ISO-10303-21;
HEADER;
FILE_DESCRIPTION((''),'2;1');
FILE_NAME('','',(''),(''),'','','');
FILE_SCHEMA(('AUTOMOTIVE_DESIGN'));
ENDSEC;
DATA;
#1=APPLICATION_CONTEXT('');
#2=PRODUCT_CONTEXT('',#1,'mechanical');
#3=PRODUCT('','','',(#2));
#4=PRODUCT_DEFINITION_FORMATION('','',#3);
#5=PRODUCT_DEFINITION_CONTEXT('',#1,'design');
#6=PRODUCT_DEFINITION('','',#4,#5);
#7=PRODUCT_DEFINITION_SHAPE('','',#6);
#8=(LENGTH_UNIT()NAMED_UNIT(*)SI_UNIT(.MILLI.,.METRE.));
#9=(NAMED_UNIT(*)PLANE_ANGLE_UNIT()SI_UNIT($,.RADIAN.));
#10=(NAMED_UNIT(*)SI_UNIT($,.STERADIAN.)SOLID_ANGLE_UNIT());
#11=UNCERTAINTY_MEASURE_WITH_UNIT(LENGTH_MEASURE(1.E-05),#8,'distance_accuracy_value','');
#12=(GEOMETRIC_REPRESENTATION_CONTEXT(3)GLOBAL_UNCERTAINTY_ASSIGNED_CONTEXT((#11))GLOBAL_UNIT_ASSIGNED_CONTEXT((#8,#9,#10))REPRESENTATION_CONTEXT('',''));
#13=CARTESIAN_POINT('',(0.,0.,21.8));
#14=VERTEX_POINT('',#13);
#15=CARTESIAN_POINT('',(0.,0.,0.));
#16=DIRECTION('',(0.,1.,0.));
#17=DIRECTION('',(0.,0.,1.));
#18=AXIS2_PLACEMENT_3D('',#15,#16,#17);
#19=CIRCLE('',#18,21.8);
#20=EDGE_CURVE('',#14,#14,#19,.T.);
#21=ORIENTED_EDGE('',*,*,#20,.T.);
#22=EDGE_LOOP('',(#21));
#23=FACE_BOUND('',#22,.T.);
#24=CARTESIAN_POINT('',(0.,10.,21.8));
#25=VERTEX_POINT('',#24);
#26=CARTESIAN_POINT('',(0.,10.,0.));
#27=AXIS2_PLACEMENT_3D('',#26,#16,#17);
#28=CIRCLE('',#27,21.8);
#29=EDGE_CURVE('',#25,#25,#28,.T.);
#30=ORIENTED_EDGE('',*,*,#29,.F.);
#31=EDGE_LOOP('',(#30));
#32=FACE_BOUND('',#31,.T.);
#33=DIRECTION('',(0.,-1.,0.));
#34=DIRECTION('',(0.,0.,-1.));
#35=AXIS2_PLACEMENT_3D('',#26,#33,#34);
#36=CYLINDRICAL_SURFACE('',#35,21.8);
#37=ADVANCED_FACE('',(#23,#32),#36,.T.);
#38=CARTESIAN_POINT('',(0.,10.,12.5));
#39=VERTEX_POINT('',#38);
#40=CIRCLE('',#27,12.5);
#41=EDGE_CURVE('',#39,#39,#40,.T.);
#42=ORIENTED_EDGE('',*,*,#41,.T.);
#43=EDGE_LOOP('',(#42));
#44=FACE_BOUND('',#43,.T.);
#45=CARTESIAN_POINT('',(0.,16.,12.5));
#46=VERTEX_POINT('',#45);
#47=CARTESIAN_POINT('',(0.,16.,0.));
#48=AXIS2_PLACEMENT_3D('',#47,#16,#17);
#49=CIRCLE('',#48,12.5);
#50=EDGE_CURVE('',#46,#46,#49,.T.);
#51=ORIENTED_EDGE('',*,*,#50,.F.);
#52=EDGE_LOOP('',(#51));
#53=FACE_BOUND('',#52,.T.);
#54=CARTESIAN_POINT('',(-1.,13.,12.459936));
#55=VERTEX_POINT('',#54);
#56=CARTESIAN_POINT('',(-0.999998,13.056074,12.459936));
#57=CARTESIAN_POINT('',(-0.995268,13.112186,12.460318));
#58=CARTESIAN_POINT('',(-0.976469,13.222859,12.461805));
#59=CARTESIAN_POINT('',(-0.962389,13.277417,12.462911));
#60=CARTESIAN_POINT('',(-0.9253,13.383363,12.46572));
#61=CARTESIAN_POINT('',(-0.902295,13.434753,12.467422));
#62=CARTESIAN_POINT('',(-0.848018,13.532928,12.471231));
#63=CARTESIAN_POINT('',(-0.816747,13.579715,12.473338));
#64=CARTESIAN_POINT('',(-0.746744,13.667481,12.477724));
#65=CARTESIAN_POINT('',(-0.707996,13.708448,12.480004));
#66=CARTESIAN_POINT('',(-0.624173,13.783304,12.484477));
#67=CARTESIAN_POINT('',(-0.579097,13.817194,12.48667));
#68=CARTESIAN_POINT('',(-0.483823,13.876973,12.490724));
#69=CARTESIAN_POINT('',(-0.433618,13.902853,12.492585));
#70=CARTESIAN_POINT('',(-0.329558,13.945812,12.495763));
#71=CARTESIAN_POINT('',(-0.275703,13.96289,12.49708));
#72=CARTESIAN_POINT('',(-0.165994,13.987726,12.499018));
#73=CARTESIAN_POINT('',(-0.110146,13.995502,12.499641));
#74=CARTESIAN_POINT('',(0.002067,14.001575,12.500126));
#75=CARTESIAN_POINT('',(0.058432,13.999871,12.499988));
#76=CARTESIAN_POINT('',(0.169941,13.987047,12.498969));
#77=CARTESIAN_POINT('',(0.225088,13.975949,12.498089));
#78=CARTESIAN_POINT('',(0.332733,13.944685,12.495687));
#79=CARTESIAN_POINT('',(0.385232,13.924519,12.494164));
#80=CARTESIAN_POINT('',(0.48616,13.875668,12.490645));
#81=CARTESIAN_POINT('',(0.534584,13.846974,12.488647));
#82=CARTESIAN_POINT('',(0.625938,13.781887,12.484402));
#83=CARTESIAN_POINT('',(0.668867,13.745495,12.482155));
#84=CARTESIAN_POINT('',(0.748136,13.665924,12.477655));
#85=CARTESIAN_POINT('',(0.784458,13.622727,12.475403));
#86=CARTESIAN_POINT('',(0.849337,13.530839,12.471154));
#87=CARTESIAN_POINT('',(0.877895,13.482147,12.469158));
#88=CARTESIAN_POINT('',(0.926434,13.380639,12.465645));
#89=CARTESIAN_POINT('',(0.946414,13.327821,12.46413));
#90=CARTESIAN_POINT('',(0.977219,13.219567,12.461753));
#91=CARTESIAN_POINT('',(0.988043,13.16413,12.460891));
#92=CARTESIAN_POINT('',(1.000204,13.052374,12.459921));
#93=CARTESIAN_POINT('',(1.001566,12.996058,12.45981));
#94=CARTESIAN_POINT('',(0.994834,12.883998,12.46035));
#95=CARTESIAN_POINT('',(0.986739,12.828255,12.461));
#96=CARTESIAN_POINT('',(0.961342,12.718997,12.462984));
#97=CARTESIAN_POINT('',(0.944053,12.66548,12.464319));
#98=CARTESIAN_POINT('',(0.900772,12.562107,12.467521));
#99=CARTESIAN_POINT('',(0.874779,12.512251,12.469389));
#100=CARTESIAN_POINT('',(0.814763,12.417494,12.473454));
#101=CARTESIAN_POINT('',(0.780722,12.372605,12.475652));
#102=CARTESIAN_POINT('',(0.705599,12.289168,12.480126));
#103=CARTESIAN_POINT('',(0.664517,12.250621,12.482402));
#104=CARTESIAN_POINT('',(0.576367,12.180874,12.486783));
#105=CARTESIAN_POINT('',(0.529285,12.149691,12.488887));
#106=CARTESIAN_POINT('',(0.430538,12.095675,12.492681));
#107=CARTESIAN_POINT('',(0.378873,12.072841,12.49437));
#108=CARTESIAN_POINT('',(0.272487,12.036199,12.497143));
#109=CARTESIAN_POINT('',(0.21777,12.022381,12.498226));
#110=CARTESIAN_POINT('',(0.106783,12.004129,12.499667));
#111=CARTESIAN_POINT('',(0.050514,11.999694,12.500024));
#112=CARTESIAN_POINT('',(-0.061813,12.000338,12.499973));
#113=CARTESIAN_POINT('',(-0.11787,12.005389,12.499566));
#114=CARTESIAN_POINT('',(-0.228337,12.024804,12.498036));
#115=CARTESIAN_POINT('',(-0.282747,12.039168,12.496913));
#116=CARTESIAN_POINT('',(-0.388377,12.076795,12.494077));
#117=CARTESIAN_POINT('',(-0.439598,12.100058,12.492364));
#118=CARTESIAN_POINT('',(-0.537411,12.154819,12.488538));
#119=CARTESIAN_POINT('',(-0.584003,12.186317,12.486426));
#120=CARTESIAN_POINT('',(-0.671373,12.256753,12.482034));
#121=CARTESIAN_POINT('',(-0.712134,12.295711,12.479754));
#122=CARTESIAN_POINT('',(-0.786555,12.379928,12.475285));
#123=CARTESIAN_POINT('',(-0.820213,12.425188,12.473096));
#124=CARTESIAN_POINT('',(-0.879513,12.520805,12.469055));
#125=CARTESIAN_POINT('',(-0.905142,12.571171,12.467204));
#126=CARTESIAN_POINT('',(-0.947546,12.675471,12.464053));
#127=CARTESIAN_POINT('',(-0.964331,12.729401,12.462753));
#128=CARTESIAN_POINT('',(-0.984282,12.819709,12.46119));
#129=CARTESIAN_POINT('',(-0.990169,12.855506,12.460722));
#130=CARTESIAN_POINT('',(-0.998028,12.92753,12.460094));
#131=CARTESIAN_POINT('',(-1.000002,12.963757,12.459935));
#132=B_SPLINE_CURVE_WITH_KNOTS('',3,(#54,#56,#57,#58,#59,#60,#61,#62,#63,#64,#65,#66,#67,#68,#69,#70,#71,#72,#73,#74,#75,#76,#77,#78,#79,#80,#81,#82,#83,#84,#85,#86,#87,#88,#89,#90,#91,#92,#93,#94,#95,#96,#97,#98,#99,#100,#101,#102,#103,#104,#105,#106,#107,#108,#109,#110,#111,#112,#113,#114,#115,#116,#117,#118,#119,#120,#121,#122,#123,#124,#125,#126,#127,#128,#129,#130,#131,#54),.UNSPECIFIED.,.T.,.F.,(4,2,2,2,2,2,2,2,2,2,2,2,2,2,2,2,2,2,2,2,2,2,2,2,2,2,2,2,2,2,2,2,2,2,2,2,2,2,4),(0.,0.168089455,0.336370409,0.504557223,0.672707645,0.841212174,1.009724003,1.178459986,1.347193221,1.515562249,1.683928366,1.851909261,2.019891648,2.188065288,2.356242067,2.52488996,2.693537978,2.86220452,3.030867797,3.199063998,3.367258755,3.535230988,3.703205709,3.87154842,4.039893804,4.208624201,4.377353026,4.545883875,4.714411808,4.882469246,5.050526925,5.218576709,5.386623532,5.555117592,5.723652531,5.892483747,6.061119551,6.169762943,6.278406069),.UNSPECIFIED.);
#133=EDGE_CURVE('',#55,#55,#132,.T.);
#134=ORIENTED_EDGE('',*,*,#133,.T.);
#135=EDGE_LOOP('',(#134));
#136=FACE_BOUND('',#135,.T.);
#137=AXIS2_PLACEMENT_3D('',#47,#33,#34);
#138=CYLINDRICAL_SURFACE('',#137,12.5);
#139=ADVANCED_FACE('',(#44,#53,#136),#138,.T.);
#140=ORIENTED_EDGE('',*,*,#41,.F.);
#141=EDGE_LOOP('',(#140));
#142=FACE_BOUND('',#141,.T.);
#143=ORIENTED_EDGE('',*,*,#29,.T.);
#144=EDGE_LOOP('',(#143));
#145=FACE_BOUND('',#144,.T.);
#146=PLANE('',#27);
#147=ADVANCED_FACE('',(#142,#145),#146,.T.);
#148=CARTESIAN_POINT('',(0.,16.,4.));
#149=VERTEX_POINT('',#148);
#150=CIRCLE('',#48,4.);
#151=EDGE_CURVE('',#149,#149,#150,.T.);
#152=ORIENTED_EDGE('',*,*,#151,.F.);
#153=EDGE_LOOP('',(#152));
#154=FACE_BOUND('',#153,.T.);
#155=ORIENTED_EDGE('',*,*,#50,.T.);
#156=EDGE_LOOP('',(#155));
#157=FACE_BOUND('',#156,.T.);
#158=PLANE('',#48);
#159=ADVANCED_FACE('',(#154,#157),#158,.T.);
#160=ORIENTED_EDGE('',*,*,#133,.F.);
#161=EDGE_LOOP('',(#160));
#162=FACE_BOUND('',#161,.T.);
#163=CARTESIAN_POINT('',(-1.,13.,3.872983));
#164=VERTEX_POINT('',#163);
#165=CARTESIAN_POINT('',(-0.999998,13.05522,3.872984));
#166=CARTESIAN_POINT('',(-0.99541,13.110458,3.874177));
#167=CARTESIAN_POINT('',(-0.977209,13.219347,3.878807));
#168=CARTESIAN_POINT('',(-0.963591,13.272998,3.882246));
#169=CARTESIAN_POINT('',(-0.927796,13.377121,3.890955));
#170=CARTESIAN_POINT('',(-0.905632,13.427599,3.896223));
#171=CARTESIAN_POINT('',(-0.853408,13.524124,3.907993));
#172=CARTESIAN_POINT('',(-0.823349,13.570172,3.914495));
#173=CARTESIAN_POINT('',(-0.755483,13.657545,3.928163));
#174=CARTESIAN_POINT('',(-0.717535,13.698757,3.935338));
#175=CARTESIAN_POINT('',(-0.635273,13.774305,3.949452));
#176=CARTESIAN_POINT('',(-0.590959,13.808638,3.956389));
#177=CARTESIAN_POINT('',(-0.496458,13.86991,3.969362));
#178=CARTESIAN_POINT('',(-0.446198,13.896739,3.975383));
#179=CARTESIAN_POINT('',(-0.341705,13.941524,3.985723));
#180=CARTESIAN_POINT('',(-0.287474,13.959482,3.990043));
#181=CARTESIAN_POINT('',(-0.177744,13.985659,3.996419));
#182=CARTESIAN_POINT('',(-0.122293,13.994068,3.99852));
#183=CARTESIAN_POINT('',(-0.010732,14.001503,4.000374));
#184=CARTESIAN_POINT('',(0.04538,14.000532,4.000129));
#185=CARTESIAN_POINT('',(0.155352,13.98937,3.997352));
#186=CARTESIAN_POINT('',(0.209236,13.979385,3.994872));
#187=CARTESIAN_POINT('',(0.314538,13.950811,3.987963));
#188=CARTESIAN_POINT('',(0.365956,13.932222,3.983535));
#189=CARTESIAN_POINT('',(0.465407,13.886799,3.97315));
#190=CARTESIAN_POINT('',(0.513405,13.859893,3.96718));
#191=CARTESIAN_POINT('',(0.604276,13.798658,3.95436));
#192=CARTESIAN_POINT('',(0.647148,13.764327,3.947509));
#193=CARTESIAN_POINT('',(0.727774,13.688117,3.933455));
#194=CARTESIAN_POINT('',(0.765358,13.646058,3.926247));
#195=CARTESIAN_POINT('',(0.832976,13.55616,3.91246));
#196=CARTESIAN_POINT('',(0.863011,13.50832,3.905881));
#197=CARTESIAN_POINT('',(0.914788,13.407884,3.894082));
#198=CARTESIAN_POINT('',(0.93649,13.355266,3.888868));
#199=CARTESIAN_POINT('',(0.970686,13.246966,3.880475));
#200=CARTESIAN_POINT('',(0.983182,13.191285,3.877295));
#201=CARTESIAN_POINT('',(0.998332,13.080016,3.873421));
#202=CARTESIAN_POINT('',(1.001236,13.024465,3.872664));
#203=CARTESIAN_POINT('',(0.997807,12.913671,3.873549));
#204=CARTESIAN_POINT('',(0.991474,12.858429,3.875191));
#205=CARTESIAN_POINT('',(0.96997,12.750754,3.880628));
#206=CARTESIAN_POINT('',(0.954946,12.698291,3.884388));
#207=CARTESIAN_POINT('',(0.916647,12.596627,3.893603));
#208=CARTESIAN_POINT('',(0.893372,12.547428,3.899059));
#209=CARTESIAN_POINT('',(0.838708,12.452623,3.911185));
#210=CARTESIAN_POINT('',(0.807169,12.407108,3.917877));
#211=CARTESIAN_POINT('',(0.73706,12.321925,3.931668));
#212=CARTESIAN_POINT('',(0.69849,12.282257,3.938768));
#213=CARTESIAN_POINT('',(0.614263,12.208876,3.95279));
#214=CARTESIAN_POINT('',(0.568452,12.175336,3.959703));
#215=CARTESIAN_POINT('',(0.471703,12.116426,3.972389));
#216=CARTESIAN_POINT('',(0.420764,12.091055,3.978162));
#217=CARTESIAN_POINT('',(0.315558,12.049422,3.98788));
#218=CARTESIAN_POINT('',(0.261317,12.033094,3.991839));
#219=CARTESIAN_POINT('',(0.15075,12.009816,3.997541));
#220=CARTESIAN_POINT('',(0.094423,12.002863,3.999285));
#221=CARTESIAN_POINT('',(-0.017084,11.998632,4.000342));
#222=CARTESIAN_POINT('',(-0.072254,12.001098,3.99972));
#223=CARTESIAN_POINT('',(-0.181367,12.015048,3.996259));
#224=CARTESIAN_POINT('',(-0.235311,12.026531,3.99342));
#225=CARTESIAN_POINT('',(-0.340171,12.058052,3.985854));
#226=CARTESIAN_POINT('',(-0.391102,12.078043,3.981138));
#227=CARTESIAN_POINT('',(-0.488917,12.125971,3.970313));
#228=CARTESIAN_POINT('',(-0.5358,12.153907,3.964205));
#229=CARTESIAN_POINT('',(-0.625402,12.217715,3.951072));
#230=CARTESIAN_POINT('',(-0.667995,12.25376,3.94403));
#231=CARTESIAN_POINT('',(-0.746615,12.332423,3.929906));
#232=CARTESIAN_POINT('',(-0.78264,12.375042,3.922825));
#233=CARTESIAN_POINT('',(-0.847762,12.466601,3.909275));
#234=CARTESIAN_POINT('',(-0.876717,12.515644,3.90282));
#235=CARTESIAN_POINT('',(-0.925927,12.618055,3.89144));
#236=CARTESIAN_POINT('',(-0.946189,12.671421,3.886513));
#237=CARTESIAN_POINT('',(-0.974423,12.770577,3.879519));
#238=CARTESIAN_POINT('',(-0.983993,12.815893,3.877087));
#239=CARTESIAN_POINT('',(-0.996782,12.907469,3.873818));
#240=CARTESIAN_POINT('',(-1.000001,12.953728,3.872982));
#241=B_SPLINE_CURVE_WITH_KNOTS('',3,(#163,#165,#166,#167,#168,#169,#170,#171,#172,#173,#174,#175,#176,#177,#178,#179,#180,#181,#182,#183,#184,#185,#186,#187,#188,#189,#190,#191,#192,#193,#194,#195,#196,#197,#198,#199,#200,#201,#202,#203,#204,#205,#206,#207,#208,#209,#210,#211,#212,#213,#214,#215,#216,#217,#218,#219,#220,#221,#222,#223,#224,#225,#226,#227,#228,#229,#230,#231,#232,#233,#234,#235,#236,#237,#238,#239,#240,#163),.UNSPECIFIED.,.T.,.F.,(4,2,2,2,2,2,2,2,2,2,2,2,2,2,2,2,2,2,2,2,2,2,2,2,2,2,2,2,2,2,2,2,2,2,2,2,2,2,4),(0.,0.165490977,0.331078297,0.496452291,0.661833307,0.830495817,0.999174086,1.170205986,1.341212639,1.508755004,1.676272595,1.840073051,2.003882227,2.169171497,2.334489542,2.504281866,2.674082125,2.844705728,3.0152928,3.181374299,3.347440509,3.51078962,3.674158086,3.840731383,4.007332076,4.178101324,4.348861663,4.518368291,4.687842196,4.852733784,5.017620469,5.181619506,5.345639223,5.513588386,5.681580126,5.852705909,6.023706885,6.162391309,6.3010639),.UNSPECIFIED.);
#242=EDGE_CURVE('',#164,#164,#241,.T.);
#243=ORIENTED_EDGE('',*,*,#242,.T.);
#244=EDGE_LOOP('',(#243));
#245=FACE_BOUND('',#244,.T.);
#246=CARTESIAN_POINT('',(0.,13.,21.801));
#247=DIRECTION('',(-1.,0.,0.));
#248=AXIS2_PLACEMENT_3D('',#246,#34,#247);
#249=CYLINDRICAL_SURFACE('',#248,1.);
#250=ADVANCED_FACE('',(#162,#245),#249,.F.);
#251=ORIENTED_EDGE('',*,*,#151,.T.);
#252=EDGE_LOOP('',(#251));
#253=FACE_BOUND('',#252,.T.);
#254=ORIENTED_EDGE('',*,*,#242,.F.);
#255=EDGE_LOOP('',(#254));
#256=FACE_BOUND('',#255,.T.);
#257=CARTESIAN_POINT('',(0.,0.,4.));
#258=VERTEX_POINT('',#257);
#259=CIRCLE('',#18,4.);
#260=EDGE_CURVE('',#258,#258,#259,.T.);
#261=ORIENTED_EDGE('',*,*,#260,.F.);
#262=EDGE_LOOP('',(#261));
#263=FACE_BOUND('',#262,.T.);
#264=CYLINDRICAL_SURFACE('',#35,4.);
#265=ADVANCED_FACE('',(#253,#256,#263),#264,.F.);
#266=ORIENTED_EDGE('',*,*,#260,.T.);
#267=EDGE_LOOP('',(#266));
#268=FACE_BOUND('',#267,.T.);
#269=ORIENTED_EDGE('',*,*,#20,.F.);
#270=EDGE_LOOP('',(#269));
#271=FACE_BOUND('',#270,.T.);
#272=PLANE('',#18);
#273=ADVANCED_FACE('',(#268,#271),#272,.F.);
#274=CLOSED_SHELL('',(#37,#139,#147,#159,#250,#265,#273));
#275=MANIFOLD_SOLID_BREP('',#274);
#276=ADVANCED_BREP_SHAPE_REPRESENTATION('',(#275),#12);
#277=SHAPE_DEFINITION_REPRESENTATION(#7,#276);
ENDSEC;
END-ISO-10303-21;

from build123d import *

# Parameters (mm, degrees)
SKETCH_1_R               = 21.8
SKETCH_1_R_2             = 4
EXTRUDE_1_DEPTH          = 10
SKETCH_2_R               = 12.5
SKETCH_2_R_2             = 4
EXTRUDE_2_DEPTH          = 6
CUT_EXTRUDE_1_REACH      = 36.734
CUT_EXTRUDE_1_END_RADIUS = 12.5
SKETCH_3_R               = 1


with BuildPart() as part:
    # 草圖1 → 填料-伸長1 (new body)
    with BuildSketch(Plane(origin=(0, 0, 0), x_dir=(1, 0, 0), z_dir=(0, 1, 0))):
        with Locations(Location((0, 0, 0), (0, 0, 270))):
            Circle(SKETCH_1_R)
        with Locations(Location((0, 0, 0), (0, 0, 270))):
            Circle(SKETCH_1_R_2, mode=Mode.SUBTRACT)
    extrude(amount=EXTRUDE_1_DEPTH)

    # 草圖2 → 填料-伸長2 (add)
    with BuildSketch(Plane(origin=(0, 10, 0), x_dir=(1, 0, 0), z_dir=(0, 1, 0))):
        with Locations(Location((0, 0, 0), (0, 0, 270))):
            Circle(SKETCH_2_R)
        with Locations(Location((0, 0, 0), (0, 0, 270))):
            Circle(SKETCH_2_R_2, mode=Mode.SUBTRACT)
    extrude(amount=EXTRUDE_2_DEPTH)

    # 除料-伸長1: up to this cylinder (the profile starts inside it)
    cut_extrude_1_end = Plane(origin=(0, 13, 0), z_dir=(0, -1, 0)) * Cylinder(CUT_EXTRUDE_1_END_RADIUS, 99.468, mode=Mode.PRIVATE)
    # 草圖3 → 除料-伸長1 (cut, up to the surface)
    with BuildSketch(Plane.XY, mode=Mode.PRIVATE) as cut_extrude_1_sk1:
        with Locations(Location((0, 13, 0), (0, 0, 180))):
            Circle(SKETCH_3_R)
    cut_extrude_1_tool1 = extrude(cut_extrude_1_sk1.sketch, amount=CUT_EXTRUDE_1_REACH, mode=Mode.PRIVATE) & cut_extrude_1_end
    add(cut_extrude_1_tool1.solids().sort_by_distance((0, 13, 0))[0], mode=Mode.SUBTRACT)


solid = part.part
